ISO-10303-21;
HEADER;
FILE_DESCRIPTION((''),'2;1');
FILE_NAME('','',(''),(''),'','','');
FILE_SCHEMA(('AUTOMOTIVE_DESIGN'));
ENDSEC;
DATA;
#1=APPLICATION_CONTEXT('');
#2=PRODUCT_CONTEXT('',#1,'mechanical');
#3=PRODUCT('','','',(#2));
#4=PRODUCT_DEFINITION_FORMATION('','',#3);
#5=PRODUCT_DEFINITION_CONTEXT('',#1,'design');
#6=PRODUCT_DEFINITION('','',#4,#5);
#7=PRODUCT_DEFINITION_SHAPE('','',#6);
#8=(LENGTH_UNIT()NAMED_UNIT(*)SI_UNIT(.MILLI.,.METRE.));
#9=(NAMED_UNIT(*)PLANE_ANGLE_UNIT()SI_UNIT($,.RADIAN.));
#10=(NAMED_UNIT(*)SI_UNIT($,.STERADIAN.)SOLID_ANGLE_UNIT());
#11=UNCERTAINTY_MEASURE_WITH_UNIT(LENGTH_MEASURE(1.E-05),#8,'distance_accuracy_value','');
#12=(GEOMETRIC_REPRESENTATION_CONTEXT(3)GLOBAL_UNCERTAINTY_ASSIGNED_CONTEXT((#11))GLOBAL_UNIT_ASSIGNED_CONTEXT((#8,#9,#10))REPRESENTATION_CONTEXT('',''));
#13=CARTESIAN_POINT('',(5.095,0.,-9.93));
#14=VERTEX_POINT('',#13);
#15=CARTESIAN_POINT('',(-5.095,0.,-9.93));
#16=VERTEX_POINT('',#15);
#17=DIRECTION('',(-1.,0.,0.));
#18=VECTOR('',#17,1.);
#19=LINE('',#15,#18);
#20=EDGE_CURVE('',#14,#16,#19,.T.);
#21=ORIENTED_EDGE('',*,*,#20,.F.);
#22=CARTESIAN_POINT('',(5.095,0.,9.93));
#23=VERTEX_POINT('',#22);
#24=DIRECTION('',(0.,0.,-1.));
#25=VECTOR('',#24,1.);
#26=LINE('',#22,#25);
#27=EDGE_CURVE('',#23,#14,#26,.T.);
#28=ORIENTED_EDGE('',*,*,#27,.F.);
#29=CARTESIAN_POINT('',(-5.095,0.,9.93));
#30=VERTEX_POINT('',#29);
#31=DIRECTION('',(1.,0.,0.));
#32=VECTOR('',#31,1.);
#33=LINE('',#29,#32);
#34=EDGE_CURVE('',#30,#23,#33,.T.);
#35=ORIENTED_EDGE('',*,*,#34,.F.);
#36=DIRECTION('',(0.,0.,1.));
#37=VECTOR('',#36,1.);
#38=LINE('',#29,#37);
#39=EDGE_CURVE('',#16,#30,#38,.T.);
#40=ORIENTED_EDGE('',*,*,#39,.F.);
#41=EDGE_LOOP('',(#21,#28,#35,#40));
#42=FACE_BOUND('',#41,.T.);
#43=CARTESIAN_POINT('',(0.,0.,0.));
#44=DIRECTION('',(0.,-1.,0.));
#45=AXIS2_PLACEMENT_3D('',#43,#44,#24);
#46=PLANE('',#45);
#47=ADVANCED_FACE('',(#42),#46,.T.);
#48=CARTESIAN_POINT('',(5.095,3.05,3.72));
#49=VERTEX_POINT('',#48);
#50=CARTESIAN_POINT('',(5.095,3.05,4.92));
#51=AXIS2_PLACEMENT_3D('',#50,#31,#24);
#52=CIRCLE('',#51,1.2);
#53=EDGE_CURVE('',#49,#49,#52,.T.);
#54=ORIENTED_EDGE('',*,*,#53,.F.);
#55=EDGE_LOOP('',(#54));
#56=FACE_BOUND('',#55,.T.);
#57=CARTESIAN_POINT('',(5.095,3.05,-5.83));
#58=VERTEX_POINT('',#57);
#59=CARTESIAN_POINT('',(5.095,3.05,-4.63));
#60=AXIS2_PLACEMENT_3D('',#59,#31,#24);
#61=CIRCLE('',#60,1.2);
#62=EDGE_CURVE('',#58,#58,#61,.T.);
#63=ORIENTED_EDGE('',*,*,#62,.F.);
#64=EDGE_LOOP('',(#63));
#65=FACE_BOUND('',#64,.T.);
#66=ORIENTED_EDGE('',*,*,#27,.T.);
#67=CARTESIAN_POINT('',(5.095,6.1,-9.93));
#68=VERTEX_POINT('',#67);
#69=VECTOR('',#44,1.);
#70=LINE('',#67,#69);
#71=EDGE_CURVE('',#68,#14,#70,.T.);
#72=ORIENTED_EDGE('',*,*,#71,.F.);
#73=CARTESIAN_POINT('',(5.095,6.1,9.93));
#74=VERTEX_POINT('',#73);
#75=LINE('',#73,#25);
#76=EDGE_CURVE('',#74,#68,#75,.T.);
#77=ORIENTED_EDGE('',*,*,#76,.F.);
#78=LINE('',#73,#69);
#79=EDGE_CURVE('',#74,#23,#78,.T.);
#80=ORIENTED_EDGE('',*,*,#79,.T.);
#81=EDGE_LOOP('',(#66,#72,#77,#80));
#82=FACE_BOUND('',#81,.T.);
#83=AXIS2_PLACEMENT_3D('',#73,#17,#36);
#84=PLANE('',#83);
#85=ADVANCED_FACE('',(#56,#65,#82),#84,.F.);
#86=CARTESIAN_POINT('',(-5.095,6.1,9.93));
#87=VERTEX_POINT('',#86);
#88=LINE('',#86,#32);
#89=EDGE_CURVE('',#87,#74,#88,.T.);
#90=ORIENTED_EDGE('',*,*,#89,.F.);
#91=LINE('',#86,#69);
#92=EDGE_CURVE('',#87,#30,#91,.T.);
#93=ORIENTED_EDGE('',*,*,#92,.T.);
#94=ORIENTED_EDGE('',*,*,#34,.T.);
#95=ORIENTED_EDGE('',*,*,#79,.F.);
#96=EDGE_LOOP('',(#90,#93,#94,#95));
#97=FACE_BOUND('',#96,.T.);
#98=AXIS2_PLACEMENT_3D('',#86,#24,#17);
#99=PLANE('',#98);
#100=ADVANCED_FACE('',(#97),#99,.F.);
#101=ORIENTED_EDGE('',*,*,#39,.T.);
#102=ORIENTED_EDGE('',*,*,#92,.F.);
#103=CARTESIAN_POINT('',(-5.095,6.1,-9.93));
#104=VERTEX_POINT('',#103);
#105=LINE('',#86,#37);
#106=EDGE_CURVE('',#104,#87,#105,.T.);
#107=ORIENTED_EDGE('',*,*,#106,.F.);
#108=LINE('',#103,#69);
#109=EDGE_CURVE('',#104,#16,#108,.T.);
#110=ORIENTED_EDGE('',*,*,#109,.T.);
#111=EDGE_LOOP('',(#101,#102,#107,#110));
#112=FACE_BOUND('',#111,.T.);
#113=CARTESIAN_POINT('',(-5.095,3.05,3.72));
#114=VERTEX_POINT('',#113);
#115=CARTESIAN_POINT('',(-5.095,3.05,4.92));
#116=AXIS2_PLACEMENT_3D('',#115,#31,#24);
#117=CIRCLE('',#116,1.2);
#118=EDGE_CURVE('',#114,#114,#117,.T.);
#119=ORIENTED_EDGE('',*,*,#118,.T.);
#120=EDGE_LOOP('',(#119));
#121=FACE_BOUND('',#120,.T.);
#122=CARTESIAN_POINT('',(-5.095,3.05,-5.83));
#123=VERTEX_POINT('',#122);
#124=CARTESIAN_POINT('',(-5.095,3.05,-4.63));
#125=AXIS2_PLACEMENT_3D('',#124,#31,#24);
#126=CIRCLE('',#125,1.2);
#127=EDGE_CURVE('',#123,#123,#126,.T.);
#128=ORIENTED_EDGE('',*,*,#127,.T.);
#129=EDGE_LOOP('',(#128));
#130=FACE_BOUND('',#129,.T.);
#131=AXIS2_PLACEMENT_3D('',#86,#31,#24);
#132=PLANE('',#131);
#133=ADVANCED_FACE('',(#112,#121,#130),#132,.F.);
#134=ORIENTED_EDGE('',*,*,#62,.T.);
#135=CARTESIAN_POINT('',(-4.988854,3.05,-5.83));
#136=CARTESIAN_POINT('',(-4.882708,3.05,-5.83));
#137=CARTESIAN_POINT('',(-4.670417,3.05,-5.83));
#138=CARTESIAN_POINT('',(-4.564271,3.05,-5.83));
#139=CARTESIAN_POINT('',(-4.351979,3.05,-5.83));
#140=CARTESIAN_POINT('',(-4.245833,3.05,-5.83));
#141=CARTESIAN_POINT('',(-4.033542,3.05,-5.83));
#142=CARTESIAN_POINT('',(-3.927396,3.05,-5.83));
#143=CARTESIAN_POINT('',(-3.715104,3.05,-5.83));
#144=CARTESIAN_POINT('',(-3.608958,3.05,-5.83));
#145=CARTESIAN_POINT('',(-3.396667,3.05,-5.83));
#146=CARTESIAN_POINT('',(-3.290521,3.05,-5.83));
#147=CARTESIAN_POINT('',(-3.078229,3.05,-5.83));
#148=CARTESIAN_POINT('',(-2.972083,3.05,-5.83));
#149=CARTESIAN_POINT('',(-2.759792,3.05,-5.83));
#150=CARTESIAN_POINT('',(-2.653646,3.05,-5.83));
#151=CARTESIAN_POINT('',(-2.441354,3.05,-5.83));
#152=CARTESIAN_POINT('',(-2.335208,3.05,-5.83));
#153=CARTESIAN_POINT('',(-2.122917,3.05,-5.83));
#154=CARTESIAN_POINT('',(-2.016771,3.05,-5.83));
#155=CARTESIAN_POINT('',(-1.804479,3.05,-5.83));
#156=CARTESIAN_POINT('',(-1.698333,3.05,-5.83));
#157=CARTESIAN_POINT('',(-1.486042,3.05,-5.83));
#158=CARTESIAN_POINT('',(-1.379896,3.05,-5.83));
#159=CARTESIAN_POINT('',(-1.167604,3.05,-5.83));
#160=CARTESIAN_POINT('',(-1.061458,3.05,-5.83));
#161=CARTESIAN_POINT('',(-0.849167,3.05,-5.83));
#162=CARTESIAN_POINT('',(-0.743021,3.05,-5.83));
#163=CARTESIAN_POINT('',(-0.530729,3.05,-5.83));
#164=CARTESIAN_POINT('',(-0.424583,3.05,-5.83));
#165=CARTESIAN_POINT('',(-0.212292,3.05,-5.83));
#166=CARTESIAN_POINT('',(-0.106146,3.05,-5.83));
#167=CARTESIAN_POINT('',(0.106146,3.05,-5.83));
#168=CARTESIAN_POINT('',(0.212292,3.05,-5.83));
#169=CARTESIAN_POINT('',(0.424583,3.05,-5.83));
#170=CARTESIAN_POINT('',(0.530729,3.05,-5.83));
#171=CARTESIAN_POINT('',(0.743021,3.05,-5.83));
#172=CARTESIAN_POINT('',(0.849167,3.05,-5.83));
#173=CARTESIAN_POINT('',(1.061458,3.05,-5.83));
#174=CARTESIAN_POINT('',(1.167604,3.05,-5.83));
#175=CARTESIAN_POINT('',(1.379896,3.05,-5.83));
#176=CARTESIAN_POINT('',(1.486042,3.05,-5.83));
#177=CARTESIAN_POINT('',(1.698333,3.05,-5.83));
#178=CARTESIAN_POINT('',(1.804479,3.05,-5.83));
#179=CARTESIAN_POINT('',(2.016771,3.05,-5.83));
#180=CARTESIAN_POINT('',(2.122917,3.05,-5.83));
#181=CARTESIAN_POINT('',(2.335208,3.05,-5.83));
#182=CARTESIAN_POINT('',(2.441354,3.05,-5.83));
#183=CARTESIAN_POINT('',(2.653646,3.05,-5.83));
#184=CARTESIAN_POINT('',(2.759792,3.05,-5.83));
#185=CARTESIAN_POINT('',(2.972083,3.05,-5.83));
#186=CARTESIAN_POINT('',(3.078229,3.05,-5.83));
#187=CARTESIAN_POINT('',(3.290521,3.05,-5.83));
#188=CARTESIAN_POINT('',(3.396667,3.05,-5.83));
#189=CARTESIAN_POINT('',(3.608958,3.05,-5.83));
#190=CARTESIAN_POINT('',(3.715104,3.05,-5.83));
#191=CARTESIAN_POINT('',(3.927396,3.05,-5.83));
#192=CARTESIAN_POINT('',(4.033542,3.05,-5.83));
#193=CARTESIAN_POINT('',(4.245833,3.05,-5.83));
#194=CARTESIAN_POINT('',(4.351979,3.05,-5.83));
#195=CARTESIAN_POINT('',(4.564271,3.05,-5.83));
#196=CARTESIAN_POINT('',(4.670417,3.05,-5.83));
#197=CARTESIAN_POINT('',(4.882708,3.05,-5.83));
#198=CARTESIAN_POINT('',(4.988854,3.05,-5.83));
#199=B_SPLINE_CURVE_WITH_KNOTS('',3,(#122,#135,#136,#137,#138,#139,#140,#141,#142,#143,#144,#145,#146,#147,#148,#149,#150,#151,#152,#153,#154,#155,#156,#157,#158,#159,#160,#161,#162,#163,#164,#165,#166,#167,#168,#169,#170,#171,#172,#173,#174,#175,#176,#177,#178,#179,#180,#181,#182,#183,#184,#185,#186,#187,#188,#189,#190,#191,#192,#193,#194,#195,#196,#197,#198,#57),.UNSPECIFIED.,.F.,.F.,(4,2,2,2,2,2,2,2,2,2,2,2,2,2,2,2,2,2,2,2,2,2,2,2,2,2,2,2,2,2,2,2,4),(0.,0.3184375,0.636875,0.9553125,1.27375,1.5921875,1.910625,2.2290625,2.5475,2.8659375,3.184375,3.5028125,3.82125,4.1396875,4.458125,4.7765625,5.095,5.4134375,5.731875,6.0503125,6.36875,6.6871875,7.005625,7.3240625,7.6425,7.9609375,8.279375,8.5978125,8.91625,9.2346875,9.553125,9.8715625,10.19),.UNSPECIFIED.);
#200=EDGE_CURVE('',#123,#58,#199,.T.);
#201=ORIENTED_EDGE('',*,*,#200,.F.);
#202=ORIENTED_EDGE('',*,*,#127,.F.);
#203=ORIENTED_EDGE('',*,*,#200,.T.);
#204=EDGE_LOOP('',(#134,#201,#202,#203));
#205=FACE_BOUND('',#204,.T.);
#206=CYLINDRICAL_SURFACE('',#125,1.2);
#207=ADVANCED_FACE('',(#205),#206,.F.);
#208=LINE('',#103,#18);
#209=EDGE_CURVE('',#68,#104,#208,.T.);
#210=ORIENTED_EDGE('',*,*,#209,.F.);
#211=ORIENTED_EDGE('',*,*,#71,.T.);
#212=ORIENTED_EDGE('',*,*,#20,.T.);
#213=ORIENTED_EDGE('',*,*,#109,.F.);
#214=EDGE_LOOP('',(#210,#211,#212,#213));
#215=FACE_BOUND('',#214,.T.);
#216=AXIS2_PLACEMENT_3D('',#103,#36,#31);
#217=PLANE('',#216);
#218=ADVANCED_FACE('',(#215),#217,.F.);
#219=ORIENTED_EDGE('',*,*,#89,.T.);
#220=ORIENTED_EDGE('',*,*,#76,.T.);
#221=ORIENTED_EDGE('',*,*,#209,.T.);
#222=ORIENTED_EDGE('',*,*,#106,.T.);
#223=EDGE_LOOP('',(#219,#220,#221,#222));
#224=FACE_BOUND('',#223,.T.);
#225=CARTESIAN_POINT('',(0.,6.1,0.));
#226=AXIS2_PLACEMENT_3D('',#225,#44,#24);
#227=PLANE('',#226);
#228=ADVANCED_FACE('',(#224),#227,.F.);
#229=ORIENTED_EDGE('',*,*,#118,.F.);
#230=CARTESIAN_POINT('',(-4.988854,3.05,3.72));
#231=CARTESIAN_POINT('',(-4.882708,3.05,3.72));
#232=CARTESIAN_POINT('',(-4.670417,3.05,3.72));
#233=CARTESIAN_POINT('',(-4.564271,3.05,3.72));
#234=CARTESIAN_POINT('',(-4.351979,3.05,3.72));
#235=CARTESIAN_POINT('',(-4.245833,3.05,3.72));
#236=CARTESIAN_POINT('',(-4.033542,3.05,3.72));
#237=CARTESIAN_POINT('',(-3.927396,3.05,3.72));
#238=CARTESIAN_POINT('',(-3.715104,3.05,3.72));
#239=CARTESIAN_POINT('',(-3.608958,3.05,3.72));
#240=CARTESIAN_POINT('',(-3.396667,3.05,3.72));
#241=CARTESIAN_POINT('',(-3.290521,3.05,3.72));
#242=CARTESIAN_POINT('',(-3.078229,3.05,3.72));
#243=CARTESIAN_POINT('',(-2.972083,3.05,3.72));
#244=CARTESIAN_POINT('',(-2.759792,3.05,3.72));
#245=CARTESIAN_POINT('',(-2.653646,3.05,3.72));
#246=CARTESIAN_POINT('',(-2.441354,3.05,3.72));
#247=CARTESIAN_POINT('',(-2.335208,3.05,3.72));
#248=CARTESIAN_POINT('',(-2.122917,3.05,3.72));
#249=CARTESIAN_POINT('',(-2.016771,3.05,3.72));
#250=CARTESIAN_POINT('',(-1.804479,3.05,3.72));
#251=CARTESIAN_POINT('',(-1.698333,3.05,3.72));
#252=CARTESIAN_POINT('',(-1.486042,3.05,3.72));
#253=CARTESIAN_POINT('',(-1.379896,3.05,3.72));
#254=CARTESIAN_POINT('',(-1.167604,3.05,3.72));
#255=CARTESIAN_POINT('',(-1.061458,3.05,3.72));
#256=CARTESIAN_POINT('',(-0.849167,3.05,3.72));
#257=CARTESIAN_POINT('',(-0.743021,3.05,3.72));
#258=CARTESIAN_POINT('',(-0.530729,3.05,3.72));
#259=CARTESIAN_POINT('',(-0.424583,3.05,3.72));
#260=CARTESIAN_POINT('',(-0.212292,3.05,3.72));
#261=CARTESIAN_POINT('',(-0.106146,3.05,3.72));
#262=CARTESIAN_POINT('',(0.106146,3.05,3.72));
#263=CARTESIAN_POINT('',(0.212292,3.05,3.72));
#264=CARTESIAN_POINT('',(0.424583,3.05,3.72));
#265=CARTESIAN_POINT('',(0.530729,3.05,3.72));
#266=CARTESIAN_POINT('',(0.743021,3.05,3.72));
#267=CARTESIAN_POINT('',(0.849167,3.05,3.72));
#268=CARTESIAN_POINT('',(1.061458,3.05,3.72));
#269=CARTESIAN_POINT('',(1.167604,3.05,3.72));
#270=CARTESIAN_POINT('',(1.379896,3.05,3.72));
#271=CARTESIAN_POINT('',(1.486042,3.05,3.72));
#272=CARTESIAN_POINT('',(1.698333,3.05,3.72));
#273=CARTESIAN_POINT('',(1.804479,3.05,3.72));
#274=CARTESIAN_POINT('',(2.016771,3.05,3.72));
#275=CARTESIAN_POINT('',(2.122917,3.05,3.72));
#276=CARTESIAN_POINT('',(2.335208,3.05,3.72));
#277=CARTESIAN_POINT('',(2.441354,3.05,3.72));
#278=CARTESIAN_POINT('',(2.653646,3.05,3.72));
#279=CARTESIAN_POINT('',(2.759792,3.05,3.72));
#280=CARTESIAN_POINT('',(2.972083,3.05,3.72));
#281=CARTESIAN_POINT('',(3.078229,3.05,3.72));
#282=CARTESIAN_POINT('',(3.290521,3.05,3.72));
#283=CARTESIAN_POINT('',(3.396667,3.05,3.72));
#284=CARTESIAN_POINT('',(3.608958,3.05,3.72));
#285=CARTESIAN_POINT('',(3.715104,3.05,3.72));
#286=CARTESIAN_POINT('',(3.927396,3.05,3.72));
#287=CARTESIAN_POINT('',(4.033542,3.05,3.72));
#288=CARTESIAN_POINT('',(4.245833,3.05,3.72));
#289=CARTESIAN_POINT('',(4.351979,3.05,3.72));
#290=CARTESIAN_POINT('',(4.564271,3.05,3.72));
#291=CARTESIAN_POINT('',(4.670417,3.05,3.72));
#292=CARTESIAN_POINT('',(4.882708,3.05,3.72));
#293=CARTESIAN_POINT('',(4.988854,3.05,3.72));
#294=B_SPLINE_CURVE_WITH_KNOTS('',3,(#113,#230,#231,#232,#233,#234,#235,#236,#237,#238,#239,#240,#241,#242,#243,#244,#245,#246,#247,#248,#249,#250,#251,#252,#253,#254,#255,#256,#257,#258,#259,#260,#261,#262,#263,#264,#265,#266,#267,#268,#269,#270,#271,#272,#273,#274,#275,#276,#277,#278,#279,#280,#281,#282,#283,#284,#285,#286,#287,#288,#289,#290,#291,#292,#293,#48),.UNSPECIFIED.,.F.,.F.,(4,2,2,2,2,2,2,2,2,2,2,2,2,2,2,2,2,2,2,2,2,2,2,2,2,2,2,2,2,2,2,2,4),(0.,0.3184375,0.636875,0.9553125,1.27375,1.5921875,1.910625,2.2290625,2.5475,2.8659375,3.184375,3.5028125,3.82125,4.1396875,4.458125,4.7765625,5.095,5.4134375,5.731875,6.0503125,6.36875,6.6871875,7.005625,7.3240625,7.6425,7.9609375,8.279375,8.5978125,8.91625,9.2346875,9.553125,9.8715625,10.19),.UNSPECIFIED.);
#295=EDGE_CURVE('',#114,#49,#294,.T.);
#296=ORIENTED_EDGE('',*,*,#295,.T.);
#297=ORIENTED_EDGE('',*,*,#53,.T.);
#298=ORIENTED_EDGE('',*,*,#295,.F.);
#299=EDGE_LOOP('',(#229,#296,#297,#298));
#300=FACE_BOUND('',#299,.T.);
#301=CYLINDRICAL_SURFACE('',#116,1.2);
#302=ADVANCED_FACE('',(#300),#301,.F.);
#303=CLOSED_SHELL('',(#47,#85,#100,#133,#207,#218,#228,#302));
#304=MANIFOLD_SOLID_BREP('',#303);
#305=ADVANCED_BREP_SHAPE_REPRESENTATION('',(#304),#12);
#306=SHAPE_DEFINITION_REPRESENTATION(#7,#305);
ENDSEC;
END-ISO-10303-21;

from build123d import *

# Parameters (mm, degrees)
SKETCH1_W           = 10.19
SKETCH1_H           = 19.86
BOSS_EXTRUDE1_DEPTH = 6.1
SKETCH2_R           = 1.2
CUT_EXTRUDE1_DEPTH  = 16.48066536


with BuildPart() as part:
    # Sketch1 → Boss-Extrude1 (new body)
    with BuildSketch(Plane(origin=(0, 0, 0), x_dir=(1, 0, 0), z_dir=(0, 1, 0))):
        Rectangle(SKETCH1_W, SKETCH1_H)
    extrude(amount=BOSS_EXTRUDE1_DEPTH)

    # Sketch2 → Cut-Extrude1 (cut, through all)
    with BuildSketch(Plane(origin=(5.095, 0, 0), x_dir=(0, 0, -1), z_dir=(1, 0, 0))):
        with Locations((4.63, 3.05)):
            Circle(SKETCH2_R)
        with Locations((-4.92, 3.05)):
            Circle(SKETCH2_R)
    extrude(amount=-CUT_EXTRUDE1_DEPTH, mode=Mode.SUBTRACT)


solid = part.part
